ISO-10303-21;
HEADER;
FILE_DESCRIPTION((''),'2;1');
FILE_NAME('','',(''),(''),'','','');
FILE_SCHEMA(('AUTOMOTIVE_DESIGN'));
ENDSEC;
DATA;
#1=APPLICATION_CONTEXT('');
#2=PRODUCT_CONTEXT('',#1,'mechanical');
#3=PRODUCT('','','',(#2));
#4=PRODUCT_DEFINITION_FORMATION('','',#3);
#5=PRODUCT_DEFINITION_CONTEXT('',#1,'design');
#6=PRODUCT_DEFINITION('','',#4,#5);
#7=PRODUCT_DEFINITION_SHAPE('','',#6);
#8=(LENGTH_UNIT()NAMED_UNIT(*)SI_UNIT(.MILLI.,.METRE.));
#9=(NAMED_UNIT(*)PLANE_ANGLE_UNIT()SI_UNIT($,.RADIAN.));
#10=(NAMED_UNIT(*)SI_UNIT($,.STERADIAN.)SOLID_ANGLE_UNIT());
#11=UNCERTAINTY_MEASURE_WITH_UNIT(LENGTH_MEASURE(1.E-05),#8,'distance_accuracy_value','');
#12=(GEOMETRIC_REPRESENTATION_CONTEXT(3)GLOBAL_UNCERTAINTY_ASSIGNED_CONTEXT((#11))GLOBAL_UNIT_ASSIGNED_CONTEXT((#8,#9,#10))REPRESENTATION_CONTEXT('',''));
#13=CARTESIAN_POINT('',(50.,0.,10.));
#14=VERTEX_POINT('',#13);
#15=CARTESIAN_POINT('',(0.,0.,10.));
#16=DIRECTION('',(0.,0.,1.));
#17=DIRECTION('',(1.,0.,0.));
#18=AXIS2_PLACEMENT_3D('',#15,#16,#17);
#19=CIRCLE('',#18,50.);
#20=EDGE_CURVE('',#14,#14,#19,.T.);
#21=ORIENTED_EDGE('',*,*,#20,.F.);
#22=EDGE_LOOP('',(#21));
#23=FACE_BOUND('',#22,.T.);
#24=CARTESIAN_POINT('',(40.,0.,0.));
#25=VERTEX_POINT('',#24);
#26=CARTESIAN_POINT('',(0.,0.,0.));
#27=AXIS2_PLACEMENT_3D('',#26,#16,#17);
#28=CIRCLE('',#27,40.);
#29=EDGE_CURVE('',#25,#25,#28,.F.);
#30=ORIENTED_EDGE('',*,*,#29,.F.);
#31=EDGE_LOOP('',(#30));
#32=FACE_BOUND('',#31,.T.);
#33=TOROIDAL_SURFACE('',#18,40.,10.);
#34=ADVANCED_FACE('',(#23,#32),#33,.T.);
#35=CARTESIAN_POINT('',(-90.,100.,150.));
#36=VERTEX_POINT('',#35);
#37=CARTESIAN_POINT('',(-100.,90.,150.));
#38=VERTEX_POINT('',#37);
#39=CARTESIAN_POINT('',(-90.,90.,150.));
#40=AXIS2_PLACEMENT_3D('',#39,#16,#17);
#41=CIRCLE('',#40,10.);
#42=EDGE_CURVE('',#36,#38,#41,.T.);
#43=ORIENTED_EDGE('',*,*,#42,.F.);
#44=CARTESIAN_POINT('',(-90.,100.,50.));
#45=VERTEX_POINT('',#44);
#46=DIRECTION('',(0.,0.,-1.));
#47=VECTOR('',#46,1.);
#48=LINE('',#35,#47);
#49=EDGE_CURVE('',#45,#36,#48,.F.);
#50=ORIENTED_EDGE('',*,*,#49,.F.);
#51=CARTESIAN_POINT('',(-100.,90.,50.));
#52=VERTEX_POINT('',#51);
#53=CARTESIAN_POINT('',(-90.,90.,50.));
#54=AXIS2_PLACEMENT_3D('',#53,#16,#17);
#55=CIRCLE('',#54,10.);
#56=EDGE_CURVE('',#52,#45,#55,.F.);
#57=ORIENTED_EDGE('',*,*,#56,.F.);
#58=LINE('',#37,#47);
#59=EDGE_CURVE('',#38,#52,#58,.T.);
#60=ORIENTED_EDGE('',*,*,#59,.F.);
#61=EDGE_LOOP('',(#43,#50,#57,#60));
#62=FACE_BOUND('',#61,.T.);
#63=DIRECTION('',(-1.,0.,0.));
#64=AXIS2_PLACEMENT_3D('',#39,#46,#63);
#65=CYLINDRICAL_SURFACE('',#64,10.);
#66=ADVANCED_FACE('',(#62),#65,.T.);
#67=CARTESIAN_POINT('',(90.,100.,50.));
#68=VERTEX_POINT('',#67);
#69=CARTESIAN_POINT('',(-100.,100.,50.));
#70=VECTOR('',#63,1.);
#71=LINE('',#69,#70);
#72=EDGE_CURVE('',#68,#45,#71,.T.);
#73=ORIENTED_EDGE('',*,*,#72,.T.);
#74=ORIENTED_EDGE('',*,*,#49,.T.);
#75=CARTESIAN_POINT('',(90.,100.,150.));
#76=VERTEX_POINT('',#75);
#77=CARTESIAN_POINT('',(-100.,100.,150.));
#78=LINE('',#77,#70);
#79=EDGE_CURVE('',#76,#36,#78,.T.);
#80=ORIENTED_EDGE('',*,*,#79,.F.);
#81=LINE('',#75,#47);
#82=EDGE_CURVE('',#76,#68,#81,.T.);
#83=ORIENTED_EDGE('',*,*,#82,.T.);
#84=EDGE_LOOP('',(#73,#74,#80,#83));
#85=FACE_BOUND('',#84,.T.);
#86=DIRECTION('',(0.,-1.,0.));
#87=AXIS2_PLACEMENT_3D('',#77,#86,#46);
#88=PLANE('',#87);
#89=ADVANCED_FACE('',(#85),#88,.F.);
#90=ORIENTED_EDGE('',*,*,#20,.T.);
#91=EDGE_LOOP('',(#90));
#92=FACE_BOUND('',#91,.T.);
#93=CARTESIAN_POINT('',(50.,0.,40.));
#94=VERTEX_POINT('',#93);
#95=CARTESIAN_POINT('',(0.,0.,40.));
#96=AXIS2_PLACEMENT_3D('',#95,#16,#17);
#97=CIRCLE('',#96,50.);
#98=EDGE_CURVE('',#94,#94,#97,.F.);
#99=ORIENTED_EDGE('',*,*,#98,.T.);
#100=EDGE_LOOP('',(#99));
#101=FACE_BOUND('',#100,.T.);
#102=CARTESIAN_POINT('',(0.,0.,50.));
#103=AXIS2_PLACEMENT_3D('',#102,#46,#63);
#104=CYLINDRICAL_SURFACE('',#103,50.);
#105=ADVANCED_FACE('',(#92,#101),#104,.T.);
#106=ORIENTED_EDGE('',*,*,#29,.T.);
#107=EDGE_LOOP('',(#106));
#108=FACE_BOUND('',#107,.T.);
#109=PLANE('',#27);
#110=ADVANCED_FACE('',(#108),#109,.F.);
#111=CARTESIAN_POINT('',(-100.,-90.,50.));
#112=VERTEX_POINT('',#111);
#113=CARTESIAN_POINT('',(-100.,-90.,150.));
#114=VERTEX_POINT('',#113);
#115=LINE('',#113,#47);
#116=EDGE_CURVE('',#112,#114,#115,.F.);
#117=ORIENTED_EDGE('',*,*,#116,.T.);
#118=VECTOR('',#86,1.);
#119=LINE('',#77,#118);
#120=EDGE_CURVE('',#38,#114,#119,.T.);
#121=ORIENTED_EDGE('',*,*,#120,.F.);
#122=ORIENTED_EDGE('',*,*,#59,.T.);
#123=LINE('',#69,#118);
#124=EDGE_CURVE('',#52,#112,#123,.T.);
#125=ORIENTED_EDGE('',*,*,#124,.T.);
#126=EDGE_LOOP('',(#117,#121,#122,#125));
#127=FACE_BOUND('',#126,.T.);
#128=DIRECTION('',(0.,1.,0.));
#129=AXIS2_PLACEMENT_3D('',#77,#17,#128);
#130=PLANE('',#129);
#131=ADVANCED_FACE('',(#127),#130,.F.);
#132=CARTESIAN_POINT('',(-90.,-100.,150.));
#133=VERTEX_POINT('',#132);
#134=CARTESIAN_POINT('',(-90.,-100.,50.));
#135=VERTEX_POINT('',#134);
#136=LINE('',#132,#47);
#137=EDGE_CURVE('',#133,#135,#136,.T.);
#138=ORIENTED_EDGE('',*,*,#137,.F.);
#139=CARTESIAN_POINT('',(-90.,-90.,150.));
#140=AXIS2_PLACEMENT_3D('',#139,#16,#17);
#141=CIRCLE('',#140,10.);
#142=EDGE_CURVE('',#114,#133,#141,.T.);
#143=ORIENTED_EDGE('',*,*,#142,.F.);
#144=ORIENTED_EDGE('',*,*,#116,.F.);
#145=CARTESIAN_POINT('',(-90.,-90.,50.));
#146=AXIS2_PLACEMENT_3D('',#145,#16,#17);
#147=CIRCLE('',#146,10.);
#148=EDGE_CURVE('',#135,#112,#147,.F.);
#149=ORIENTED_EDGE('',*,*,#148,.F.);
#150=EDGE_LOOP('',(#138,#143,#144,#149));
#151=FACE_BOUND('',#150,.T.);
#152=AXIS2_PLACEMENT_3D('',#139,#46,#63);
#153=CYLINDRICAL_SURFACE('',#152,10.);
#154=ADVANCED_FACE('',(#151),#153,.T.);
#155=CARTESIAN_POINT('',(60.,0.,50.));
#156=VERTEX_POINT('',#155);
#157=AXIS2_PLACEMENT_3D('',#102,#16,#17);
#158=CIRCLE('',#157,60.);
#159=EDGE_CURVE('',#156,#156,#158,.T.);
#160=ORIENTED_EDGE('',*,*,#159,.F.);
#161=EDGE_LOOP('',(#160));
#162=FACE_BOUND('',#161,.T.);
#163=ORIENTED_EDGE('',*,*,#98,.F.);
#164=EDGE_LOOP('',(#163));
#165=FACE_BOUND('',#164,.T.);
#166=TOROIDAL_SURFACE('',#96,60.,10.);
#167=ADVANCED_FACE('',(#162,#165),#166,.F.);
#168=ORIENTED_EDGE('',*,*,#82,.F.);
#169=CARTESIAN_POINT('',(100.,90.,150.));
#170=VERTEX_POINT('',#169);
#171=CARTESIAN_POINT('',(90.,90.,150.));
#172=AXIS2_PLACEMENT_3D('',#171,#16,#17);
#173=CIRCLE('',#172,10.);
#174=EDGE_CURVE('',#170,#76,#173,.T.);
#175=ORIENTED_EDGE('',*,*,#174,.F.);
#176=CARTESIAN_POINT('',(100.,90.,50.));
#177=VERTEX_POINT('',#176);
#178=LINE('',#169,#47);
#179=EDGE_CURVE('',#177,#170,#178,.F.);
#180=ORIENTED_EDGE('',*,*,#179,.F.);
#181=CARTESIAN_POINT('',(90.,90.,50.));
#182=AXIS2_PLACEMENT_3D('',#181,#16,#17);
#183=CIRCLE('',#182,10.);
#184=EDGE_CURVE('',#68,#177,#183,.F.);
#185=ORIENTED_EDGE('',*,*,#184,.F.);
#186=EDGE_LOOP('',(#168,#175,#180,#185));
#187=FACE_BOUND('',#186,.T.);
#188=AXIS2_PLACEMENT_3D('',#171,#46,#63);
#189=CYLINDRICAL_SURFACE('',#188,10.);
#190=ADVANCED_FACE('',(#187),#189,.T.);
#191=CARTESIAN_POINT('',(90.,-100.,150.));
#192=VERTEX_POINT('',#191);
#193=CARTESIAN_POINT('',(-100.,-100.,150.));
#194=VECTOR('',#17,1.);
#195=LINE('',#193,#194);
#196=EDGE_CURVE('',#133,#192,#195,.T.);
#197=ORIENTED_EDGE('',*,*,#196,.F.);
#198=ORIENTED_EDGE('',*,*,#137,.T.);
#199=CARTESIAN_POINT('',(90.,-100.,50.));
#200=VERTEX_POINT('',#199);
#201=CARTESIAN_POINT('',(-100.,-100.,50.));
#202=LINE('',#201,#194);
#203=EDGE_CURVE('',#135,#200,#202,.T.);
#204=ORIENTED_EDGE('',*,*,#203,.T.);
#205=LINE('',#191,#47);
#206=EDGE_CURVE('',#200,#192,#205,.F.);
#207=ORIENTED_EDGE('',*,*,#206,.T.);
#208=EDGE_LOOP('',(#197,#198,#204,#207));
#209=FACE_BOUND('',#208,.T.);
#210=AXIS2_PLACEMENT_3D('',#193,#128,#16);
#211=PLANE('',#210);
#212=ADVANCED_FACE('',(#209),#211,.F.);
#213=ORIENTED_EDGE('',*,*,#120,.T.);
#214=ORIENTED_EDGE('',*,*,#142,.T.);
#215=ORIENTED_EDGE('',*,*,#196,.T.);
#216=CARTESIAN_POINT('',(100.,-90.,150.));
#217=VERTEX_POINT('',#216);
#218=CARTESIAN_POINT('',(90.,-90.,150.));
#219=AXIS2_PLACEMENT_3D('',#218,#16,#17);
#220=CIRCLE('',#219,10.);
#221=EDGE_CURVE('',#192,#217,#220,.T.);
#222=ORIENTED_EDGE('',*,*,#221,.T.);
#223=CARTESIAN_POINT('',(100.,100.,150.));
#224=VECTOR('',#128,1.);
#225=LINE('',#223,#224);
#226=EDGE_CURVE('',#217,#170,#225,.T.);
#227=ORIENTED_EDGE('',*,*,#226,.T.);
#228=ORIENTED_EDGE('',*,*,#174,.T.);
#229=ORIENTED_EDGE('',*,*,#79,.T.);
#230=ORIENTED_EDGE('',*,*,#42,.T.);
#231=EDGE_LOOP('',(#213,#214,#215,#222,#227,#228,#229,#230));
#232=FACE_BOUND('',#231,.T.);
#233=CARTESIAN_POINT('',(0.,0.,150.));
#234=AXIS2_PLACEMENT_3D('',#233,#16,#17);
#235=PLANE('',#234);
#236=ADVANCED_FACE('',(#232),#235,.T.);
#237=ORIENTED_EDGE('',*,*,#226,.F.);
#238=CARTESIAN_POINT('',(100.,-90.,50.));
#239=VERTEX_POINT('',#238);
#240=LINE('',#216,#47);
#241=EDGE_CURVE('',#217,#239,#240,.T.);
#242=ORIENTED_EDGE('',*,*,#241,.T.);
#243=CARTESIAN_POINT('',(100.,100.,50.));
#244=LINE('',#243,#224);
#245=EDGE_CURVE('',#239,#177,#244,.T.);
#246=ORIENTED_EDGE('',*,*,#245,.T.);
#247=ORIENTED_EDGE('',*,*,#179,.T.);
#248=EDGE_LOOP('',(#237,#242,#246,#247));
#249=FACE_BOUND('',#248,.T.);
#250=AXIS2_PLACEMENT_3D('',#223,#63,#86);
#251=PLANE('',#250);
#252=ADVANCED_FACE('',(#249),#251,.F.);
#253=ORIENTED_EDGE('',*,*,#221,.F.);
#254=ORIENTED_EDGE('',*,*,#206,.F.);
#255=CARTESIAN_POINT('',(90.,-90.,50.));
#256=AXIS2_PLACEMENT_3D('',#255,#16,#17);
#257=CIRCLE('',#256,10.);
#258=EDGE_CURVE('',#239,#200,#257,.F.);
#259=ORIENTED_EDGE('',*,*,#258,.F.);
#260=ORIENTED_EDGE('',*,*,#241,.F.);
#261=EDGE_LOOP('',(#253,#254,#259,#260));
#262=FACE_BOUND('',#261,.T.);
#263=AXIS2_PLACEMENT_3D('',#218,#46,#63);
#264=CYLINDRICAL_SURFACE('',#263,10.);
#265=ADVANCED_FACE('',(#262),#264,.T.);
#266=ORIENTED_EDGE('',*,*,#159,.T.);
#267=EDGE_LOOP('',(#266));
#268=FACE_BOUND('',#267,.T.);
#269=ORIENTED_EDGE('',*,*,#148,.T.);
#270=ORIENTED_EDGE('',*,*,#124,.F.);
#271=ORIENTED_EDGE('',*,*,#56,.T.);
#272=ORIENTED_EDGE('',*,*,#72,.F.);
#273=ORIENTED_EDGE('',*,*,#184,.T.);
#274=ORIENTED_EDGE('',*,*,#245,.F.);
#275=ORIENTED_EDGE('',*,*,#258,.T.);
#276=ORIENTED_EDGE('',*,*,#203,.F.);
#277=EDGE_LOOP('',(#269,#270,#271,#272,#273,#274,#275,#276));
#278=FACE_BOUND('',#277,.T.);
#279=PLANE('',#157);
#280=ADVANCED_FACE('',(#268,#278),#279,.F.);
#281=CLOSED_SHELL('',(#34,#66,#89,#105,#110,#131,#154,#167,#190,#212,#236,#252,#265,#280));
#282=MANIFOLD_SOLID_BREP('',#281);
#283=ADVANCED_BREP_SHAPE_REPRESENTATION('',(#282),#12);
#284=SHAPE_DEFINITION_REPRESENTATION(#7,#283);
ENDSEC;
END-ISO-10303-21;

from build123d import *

# Parameters (mm, degrees)
SKETCH_1_R      = 50
EXTRUDE_1_DEPTH = 50
SKETCH_2_W      = 200
SKETCH_2_H      = 200
EXTRUDE_2_DEPTH = 100
FILLET_1_R      = 10


with BuildPart() as part:
    # 草图1 → 凸台-拉伸1 (new body)
    with BuildSketch(Plane.XY):
        Circle(SKETCH_1_R)
    extrude(amount=EXTRUDE_1_DEPTH)

    # 草图2 → 凸台-拉伸2 (add)
    with BuildSketch(Plane.XY.offset(50)):
        Rectangle(SKETCH_2_W, SKETCH_2_H)
    extrude(amount=EXTRUDE_2_DEPTH)

    # 圆角1
    fillet_1_edges = [part.edges().sort_by_distance(p)[0] for p in [
        (-50, 0, 0),
        (-50, 0, 50),
        (-100, 100, 100),
        (-100, -100, 100),
        (100, -100, 100),
        (100, 100, 100),
    ]]
    fillet(fillet_1_edges, radius=FILLET_1_R)


solid = part.part
